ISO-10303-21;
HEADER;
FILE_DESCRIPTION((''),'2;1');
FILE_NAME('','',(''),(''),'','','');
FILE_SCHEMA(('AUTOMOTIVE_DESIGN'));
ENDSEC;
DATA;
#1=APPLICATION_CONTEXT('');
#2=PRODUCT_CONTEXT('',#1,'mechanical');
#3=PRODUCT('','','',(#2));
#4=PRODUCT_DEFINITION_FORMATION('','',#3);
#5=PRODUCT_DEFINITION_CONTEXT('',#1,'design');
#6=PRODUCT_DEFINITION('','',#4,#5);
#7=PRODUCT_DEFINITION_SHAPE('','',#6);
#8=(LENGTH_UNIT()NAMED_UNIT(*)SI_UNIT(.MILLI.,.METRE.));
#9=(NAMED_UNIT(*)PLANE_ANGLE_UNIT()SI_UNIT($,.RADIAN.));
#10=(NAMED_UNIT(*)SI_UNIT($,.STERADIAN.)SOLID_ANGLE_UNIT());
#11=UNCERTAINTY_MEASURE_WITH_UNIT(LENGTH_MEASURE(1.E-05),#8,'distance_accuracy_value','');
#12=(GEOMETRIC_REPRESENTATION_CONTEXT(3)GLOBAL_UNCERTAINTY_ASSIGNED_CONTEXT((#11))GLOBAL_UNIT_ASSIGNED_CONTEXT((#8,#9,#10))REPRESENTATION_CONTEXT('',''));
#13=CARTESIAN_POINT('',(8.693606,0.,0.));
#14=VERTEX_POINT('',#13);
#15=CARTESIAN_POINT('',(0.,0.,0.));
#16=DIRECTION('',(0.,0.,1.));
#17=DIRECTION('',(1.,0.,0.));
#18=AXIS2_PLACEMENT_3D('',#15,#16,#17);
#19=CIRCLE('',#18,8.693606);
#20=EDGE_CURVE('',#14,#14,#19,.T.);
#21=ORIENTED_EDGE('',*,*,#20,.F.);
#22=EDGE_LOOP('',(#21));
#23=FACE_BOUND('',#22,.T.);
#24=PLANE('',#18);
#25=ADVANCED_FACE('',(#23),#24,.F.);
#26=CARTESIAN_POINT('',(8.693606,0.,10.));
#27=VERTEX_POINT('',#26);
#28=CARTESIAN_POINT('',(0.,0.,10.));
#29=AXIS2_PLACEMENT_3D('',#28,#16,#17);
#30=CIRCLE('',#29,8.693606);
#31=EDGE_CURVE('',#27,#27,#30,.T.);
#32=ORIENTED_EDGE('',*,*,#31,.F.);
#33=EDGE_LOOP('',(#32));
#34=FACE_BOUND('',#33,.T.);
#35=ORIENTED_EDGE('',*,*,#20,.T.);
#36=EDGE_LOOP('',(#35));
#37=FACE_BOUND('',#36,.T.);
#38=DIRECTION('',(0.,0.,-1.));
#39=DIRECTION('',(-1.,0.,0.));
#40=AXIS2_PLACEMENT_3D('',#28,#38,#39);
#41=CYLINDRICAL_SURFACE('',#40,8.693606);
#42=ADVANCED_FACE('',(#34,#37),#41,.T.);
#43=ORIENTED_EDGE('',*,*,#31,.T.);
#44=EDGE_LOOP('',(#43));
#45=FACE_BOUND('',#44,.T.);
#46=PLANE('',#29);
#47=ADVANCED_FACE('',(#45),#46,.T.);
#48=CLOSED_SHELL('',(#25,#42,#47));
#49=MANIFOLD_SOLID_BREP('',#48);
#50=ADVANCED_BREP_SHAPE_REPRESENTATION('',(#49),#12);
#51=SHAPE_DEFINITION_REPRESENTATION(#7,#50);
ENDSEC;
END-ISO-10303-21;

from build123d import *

# Parameters (mm, degrees)
SKETCH1_R           = 8.693605866
BOSS_EXTRUDE1_DEPTH = 10


with BuildPart() as part:
    # Sketch1 → Boss-Extrude1 (new body)
    with BuildSketch(Plane.XY):
        Circle(SKETCH1_R)
    extrude(amount=BOSS_EXTRUDE1_DEPTH)


solid = part.part
